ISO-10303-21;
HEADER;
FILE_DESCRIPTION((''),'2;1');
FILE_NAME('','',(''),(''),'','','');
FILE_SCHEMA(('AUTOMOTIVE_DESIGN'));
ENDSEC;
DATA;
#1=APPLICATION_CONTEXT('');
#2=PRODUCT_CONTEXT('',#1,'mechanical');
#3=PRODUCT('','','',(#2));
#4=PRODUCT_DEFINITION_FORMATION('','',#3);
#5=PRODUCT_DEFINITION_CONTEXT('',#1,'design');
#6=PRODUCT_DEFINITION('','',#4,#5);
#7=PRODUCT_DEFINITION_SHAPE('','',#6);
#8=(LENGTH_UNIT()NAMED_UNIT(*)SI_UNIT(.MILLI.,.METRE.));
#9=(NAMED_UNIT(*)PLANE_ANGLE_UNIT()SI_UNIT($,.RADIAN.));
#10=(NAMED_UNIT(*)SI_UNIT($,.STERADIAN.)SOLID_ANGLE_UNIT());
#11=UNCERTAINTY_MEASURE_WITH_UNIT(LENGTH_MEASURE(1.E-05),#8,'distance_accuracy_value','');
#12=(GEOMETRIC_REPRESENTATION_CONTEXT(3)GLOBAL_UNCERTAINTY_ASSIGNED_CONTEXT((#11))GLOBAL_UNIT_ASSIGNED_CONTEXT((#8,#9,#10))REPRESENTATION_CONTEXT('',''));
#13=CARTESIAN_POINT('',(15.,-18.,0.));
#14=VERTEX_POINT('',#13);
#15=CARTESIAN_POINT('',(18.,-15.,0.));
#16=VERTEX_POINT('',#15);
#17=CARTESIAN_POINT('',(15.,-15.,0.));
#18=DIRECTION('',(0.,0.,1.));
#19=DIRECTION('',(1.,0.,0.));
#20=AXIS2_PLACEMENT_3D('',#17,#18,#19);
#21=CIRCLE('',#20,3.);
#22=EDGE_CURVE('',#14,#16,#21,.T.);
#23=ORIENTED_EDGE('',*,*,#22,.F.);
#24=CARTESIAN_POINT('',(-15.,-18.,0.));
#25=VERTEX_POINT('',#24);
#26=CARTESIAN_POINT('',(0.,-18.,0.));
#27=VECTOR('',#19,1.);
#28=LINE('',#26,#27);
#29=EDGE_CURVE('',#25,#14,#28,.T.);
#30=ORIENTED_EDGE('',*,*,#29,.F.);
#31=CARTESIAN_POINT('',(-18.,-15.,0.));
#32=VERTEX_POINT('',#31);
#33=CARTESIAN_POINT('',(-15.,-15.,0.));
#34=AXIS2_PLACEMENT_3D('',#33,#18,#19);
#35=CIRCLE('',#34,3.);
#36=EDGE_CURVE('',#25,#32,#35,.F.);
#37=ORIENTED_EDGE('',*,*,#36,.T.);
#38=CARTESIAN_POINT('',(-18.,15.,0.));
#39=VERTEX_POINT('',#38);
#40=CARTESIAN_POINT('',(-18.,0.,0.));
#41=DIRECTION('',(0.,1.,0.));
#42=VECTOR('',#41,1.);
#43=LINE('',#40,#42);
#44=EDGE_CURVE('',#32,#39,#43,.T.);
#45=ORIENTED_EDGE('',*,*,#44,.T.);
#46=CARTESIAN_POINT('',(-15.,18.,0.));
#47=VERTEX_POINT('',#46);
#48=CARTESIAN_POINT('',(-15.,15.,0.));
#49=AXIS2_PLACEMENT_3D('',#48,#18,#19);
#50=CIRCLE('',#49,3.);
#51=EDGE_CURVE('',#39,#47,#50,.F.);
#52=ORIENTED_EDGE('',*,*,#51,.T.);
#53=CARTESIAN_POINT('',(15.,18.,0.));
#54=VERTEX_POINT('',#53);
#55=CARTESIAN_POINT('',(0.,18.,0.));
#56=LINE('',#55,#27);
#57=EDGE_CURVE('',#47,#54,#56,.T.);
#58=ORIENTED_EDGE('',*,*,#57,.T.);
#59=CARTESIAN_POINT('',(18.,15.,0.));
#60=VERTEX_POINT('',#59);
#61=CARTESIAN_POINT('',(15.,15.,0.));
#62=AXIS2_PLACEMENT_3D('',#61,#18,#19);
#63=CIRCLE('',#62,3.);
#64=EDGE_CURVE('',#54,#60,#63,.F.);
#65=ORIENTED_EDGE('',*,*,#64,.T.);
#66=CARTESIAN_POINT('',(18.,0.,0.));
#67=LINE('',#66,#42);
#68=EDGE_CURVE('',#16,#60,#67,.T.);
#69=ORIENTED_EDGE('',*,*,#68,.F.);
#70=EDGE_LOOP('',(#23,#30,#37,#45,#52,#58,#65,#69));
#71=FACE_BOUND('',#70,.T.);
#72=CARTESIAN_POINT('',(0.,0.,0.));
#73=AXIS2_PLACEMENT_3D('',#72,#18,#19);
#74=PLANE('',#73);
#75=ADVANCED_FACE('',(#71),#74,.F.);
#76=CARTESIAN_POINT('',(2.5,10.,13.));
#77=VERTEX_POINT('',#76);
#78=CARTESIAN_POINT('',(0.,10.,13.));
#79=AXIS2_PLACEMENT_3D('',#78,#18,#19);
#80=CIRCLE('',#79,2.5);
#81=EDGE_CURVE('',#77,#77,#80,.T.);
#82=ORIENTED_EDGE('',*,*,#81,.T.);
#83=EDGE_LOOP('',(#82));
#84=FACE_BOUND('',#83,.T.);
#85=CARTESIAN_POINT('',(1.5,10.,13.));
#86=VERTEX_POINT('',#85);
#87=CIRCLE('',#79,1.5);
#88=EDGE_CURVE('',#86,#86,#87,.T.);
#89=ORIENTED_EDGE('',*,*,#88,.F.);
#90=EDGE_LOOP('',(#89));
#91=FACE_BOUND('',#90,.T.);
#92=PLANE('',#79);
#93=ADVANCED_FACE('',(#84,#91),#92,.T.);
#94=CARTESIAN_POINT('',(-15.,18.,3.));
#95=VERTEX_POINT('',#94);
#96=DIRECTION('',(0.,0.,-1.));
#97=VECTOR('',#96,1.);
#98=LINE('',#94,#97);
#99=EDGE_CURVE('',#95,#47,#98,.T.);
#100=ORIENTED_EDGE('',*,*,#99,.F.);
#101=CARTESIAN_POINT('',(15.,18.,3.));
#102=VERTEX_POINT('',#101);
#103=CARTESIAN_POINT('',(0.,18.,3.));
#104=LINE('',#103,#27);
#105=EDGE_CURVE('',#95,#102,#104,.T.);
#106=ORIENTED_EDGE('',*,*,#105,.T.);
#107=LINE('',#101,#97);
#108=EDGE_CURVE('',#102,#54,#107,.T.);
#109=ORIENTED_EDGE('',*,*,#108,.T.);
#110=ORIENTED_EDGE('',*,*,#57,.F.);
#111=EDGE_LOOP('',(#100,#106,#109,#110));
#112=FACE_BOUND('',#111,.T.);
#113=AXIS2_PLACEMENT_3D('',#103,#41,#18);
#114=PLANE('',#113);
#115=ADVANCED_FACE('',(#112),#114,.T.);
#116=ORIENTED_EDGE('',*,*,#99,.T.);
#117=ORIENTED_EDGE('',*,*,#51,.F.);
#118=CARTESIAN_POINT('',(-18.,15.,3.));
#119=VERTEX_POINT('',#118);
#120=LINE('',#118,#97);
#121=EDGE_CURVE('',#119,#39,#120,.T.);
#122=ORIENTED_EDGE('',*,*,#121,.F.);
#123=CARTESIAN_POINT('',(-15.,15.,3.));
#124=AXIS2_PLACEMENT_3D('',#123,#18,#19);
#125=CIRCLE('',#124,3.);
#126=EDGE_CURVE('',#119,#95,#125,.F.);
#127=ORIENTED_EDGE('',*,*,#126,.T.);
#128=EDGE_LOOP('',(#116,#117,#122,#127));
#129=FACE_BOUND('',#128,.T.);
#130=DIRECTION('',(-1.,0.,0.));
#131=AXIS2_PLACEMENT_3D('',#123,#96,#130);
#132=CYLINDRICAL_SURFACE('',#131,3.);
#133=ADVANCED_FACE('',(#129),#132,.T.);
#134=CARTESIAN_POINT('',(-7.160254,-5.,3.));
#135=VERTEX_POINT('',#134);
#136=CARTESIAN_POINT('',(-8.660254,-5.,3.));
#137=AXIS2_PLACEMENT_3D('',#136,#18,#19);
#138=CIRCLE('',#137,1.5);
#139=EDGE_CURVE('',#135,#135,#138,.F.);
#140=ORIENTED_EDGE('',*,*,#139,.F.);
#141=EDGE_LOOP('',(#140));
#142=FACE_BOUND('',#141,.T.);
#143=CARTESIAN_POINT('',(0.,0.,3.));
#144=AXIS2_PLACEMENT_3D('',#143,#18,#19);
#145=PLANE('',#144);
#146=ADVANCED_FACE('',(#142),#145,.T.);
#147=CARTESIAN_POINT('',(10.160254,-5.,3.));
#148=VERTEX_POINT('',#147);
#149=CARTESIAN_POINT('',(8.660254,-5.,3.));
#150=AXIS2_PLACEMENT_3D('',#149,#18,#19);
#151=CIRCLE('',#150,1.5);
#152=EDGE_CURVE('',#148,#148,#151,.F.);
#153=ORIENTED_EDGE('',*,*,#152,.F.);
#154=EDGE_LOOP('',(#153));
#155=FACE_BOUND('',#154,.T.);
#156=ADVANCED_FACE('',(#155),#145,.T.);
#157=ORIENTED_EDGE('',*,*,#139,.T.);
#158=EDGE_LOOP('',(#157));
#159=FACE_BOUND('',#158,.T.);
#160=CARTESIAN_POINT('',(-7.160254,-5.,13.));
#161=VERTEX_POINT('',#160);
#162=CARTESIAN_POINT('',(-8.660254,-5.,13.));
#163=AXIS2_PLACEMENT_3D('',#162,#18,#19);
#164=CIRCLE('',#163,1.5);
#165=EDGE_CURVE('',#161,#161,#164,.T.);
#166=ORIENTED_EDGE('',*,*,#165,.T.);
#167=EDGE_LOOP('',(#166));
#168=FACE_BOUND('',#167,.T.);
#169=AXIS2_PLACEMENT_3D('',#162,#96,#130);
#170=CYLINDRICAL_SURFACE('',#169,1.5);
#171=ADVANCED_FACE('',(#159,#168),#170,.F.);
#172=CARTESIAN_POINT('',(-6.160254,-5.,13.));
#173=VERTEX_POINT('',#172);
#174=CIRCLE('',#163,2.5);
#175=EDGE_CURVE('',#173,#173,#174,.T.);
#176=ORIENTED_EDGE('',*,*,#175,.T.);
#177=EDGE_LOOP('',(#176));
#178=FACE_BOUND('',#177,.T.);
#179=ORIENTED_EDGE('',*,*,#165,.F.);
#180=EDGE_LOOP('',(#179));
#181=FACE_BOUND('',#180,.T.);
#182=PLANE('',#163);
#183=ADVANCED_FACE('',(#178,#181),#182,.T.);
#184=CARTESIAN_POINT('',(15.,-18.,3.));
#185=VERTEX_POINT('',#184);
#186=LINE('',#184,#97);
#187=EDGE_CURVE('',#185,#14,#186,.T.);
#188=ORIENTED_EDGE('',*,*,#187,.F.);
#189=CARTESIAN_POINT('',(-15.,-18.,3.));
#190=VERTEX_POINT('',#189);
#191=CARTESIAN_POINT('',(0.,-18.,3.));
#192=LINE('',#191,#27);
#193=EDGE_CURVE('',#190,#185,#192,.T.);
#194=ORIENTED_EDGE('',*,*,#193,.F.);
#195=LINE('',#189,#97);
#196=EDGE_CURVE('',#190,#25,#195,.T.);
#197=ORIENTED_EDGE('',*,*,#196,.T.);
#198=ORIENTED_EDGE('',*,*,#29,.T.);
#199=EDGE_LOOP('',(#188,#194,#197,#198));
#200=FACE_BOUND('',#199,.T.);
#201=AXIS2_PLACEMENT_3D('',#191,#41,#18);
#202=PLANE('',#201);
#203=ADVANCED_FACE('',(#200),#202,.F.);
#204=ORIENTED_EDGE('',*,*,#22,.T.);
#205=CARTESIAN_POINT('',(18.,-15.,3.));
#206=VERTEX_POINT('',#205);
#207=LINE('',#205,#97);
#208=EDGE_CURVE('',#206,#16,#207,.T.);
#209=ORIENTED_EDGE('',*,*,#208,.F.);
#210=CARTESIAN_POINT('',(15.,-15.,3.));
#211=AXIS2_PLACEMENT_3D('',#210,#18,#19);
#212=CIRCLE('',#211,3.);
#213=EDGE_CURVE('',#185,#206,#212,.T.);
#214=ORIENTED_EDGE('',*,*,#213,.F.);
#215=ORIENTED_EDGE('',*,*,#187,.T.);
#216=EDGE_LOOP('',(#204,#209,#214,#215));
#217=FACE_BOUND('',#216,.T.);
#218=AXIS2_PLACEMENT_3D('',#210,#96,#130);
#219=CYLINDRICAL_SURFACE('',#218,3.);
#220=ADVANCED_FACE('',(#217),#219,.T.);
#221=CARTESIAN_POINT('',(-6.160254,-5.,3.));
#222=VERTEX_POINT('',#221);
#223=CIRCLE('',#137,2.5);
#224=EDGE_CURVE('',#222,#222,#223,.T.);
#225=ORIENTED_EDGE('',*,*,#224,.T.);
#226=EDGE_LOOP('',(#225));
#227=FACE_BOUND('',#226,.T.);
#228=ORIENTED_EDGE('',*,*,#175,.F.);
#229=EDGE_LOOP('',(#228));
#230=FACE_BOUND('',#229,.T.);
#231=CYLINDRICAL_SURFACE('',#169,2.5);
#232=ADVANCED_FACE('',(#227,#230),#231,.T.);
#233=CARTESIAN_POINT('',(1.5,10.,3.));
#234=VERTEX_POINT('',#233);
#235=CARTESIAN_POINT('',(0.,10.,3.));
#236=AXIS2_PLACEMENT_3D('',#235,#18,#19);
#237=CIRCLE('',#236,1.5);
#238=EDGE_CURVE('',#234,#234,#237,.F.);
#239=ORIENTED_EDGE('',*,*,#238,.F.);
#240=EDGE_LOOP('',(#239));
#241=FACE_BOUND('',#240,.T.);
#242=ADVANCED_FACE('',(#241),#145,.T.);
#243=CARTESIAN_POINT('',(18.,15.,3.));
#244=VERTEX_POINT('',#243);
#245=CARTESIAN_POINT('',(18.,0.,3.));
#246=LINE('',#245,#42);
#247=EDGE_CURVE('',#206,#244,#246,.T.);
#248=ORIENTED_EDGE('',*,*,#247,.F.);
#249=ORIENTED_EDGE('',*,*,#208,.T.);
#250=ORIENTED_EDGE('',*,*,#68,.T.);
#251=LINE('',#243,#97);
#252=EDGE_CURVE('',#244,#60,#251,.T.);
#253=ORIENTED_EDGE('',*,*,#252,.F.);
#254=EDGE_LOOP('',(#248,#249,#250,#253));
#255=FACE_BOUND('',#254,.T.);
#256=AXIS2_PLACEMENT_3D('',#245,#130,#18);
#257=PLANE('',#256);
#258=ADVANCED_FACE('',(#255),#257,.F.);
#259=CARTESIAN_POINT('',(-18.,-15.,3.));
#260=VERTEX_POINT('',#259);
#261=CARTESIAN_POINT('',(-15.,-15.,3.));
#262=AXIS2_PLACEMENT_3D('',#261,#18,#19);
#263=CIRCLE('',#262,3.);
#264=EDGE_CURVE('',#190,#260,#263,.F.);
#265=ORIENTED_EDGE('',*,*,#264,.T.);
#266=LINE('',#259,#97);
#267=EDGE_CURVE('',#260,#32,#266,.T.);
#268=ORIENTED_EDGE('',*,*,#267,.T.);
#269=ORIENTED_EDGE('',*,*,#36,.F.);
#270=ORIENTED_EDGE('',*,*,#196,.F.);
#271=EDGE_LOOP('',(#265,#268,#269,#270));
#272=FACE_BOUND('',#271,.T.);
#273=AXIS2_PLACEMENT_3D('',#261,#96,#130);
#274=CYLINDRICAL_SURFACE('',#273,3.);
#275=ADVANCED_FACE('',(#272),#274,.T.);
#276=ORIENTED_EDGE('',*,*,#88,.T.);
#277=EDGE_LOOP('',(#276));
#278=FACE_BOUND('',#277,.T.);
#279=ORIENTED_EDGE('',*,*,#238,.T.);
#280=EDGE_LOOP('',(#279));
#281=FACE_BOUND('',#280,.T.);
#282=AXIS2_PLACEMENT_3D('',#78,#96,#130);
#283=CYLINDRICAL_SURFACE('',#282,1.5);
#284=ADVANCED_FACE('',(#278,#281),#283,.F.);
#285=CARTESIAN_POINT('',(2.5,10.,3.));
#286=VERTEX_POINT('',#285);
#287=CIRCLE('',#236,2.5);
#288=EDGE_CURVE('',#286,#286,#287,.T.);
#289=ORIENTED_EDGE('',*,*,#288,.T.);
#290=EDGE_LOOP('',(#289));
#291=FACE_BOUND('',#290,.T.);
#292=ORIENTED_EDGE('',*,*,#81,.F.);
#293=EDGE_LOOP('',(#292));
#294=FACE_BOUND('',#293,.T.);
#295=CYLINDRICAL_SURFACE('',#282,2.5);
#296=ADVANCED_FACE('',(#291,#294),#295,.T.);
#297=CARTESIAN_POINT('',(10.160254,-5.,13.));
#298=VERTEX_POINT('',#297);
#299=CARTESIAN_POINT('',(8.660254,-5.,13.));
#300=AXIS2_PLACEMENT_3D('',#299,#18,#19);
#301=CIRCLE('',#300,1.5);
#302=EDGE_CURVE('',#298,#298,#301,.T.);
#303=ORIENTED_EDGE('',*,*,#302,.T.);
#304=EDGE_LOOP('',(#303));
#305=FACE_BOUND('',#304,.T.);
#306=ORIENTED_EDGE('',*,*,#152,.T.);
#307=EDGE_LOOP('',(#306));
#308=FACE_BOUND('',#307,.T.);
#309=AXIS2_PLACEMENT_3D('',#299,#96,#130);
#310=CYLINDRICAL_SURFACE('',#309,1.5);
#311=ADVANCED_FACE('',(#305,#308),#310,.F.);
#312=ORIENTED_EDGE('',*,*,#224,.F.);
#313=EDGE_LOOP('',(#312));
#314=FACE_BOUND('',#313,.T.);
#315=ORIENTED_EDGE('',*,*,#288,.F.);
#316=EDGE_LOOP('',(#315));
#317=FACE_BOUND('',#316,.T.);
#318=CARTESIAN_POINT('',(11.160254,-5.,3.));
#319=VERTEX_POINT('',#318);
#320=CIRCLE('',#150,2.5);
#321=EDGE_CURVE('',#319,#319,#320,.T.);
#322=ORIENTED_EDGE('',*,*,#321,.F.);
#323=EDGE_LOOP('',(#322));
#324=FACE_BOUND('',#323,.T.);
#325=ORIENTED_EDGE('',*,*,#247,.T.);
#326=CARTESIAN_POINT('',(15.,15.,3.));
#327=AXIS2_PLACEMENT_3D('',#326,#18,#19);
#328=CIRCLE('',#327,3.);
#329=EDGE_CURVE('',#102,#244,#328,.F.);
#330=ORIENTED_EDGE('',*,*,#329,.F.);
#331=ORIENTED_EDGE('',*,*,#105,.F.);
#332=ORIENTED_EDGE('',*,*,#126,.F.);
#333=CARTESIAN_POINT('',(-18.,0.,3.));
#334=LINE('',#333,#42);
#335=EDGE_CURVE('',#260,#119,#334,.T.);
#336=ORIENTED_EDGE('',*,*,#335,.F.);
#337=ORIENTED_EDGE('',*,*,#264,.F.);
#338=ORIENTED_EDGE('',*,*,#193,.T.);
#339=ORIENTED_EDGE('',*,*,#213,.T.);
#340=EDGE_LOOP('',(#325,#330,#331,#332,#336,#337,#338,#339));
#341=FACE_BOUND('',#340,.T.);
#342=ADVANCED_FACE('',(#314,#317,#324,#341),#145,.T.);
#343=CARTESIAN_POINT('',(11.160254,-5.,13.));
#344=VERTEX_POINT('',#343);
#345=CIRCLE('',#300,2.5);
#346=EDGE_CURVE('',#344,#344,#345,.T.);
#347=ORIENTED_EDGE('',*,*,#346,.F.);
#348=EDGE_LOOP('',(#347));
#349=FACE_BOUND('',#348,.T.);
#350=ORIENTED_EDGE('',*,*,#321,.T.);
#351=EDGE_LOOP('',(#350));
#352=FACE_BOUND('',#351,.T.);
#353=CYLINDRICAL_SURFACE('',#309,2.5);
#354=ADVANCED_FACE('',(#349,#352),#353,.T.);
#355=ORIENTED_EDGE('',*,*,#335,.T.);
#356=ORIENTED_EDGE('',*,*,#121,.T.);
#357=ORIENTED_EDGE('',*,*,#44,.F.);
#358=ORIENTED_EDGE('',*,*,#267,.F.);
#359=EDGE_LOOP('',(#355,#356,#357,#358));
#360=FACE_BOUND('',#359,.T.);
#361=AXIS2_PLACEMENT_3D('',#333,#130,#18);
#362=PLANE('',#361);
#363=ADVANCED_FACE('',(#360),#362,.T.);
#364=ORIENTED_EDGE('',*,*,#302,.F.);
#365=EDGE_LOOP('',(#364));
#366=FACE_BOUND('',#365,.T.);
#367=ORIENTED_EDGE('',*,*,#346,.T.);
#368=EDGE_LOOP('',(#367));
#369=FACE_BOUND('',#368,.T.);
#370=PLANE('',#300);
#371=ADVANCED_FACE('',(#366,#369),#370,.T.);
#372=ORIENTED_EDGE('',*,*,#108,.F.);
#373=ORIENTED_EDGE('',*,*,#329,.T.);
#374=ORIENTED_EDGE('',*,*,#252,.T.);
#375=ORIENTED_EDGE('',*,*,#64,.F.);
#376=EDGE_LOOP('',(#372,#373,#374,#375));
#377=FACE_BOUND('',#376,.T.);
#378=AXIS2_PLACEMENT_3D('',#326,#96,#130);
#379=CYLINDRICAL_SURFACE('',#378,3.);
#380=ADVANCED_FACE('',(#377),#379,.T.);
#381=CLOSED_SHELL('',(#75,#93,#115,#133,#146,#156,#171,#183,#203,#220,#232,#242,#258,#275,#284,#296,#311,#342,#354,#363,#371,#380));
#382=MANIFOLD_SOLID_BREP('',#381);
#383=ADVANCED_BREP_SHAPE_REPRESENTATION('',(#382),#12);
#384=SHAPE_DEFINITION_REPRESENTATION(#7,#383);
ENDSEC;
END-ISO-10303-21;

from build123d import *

# Parameters (mm, degrees)
SKETCH1_R           = 2.5
SKETCH1_R_2         = 1.5
BOSS_EXTRUDE1_DEPTH = 3
BOSS_EXTRUDE2_START = 3
SKETCH1_3_R         = 2.5
SKETCH1_3_R_2       = 1.5
BOSS_EXTRUDE2_DEPTH = 10


with BuildPart() as part:
    # Sketch1 → Boss-Extrude1 (new body)
    # profile 1 of 7: a face of its own
    with BuildSketch(Plane.XY):
        with BuildLine():
            ThreePointArc((-18, 15), (-17.121320344, 17.121320344), (-15, 18))
            Line((-15, 18), (15, 18))
            ThreePointArc((15, 18), (17.121320344, 17.121320344), (18, 15))
            Line((18, 15), (18, -15))
            ThreePointArc((18, -15), (17.121320344, -17.121320344), (15, -18))
            Line((15, -18), (-15, -18))
            ThreePointArc((-15, -18), (-17.121320344, -17.121320344), (-18, -15))
            Line((-18, -15), (-18, 15))
        make_face()
        with Locations((-8.660254038, -5)):
            Circle(SKETCH1_R, mode=Mode.SUBTRACT)
        with Locations((8.660254038, -5)):
            Circle(SKETCH1_R, mode=Mode.SUBTRACT)
        with Locations((0, 10)):
            Circle(SKETCH1_R, mode=Mode.SUBTRACT)
    # profile 2 of 7: a face of its own
    with BuildSketch(Plane.XY):
        with Locations((-8.660254038, -5)):
            Circle(SKETCH1_R)
        with Locations((-8.660254038, -5)):
            Circle(SKETCH1_R_2, mode=Mode.SUBTRACT)
    # profile 3 of 7: a face of its own
    with BuildSketch(Plane.XY):
        with Locations((-8.660254038, -5)):
            Circle(SKETCH1_R_2)
    # profile 4 of 7: a face of its own
    with BuildSketch(Plane.XY):
        with Locations((0, 10)):
            Circle(SKETCH1_R)
        with Locations((0, 10)):
            Circle(SKETCH1_R_2, mode=Mode.SUBTRACT)
    # profile 5 of 7: a face of its own
    with BuildSketch(Plane.XY):
        with Locations((0, 10)):
            Circle(SKETCH1_R_2)
    # profile 6 of 7: a face of its own
    with BuildSketch(Plane.XY):
        with Locations((8.660254038, -5)):
            Circle(SKETCH1_R)
        with Locations((8.660254038, -5)):
            Circle(SKETCH1_R_2, mode=Mode.SUBTRACT)
    # profile 7 of 7: a face of its own
    with BuildSketch(Plane.XY):
        with Locations((8.660254038, -5)):
            Circle(SKETCH1_R_2)
    extrude(amount=BOSS_EXTRUDE1_DEPTH)

    # Sketch1<3> → Boss-Extrude2 (add)
    # profile 1 of 3: a face of its own
    with BuildSketch(Plane.XY.offset(BOSS_EXTRUDE2_START)):
        with Locations((-8.660254038, -5)):
            Circle(SKETCH1_3_R)
        with Locations((-8.660254038, -5)):
            Circle(SKETCH1_3_R_2, mode=Mode.SUBTRACT)
    # profile 2 of 3: a face of its own
    with BuildSketch(Plane.XY.offset(BOSS_EXTRUDE2_START)):
        with Locations((0, 10)):
            Circle(SKETCH1_3_R)
        with Locations((0, 10)):
            Circle(SKETCH1_3_R_2, mode=Mode.SUBTRACT)
    # profile 3 of 3: a face of its own
    with BuildSketch(Plane.XY.offset(BOSS_EXTRUDE2_START)):
        with Locations((8.660254038, -5)):
            Circle(SKETCH1_3_R)
        with Locations((8.660254038, -5)):
            Circle(SKETCH1_3_R_2, mode=Mode.SUBTRACT)
    extrude(amount=BOSS_EXTRUDE2_DEPTH)


solid = part.part
